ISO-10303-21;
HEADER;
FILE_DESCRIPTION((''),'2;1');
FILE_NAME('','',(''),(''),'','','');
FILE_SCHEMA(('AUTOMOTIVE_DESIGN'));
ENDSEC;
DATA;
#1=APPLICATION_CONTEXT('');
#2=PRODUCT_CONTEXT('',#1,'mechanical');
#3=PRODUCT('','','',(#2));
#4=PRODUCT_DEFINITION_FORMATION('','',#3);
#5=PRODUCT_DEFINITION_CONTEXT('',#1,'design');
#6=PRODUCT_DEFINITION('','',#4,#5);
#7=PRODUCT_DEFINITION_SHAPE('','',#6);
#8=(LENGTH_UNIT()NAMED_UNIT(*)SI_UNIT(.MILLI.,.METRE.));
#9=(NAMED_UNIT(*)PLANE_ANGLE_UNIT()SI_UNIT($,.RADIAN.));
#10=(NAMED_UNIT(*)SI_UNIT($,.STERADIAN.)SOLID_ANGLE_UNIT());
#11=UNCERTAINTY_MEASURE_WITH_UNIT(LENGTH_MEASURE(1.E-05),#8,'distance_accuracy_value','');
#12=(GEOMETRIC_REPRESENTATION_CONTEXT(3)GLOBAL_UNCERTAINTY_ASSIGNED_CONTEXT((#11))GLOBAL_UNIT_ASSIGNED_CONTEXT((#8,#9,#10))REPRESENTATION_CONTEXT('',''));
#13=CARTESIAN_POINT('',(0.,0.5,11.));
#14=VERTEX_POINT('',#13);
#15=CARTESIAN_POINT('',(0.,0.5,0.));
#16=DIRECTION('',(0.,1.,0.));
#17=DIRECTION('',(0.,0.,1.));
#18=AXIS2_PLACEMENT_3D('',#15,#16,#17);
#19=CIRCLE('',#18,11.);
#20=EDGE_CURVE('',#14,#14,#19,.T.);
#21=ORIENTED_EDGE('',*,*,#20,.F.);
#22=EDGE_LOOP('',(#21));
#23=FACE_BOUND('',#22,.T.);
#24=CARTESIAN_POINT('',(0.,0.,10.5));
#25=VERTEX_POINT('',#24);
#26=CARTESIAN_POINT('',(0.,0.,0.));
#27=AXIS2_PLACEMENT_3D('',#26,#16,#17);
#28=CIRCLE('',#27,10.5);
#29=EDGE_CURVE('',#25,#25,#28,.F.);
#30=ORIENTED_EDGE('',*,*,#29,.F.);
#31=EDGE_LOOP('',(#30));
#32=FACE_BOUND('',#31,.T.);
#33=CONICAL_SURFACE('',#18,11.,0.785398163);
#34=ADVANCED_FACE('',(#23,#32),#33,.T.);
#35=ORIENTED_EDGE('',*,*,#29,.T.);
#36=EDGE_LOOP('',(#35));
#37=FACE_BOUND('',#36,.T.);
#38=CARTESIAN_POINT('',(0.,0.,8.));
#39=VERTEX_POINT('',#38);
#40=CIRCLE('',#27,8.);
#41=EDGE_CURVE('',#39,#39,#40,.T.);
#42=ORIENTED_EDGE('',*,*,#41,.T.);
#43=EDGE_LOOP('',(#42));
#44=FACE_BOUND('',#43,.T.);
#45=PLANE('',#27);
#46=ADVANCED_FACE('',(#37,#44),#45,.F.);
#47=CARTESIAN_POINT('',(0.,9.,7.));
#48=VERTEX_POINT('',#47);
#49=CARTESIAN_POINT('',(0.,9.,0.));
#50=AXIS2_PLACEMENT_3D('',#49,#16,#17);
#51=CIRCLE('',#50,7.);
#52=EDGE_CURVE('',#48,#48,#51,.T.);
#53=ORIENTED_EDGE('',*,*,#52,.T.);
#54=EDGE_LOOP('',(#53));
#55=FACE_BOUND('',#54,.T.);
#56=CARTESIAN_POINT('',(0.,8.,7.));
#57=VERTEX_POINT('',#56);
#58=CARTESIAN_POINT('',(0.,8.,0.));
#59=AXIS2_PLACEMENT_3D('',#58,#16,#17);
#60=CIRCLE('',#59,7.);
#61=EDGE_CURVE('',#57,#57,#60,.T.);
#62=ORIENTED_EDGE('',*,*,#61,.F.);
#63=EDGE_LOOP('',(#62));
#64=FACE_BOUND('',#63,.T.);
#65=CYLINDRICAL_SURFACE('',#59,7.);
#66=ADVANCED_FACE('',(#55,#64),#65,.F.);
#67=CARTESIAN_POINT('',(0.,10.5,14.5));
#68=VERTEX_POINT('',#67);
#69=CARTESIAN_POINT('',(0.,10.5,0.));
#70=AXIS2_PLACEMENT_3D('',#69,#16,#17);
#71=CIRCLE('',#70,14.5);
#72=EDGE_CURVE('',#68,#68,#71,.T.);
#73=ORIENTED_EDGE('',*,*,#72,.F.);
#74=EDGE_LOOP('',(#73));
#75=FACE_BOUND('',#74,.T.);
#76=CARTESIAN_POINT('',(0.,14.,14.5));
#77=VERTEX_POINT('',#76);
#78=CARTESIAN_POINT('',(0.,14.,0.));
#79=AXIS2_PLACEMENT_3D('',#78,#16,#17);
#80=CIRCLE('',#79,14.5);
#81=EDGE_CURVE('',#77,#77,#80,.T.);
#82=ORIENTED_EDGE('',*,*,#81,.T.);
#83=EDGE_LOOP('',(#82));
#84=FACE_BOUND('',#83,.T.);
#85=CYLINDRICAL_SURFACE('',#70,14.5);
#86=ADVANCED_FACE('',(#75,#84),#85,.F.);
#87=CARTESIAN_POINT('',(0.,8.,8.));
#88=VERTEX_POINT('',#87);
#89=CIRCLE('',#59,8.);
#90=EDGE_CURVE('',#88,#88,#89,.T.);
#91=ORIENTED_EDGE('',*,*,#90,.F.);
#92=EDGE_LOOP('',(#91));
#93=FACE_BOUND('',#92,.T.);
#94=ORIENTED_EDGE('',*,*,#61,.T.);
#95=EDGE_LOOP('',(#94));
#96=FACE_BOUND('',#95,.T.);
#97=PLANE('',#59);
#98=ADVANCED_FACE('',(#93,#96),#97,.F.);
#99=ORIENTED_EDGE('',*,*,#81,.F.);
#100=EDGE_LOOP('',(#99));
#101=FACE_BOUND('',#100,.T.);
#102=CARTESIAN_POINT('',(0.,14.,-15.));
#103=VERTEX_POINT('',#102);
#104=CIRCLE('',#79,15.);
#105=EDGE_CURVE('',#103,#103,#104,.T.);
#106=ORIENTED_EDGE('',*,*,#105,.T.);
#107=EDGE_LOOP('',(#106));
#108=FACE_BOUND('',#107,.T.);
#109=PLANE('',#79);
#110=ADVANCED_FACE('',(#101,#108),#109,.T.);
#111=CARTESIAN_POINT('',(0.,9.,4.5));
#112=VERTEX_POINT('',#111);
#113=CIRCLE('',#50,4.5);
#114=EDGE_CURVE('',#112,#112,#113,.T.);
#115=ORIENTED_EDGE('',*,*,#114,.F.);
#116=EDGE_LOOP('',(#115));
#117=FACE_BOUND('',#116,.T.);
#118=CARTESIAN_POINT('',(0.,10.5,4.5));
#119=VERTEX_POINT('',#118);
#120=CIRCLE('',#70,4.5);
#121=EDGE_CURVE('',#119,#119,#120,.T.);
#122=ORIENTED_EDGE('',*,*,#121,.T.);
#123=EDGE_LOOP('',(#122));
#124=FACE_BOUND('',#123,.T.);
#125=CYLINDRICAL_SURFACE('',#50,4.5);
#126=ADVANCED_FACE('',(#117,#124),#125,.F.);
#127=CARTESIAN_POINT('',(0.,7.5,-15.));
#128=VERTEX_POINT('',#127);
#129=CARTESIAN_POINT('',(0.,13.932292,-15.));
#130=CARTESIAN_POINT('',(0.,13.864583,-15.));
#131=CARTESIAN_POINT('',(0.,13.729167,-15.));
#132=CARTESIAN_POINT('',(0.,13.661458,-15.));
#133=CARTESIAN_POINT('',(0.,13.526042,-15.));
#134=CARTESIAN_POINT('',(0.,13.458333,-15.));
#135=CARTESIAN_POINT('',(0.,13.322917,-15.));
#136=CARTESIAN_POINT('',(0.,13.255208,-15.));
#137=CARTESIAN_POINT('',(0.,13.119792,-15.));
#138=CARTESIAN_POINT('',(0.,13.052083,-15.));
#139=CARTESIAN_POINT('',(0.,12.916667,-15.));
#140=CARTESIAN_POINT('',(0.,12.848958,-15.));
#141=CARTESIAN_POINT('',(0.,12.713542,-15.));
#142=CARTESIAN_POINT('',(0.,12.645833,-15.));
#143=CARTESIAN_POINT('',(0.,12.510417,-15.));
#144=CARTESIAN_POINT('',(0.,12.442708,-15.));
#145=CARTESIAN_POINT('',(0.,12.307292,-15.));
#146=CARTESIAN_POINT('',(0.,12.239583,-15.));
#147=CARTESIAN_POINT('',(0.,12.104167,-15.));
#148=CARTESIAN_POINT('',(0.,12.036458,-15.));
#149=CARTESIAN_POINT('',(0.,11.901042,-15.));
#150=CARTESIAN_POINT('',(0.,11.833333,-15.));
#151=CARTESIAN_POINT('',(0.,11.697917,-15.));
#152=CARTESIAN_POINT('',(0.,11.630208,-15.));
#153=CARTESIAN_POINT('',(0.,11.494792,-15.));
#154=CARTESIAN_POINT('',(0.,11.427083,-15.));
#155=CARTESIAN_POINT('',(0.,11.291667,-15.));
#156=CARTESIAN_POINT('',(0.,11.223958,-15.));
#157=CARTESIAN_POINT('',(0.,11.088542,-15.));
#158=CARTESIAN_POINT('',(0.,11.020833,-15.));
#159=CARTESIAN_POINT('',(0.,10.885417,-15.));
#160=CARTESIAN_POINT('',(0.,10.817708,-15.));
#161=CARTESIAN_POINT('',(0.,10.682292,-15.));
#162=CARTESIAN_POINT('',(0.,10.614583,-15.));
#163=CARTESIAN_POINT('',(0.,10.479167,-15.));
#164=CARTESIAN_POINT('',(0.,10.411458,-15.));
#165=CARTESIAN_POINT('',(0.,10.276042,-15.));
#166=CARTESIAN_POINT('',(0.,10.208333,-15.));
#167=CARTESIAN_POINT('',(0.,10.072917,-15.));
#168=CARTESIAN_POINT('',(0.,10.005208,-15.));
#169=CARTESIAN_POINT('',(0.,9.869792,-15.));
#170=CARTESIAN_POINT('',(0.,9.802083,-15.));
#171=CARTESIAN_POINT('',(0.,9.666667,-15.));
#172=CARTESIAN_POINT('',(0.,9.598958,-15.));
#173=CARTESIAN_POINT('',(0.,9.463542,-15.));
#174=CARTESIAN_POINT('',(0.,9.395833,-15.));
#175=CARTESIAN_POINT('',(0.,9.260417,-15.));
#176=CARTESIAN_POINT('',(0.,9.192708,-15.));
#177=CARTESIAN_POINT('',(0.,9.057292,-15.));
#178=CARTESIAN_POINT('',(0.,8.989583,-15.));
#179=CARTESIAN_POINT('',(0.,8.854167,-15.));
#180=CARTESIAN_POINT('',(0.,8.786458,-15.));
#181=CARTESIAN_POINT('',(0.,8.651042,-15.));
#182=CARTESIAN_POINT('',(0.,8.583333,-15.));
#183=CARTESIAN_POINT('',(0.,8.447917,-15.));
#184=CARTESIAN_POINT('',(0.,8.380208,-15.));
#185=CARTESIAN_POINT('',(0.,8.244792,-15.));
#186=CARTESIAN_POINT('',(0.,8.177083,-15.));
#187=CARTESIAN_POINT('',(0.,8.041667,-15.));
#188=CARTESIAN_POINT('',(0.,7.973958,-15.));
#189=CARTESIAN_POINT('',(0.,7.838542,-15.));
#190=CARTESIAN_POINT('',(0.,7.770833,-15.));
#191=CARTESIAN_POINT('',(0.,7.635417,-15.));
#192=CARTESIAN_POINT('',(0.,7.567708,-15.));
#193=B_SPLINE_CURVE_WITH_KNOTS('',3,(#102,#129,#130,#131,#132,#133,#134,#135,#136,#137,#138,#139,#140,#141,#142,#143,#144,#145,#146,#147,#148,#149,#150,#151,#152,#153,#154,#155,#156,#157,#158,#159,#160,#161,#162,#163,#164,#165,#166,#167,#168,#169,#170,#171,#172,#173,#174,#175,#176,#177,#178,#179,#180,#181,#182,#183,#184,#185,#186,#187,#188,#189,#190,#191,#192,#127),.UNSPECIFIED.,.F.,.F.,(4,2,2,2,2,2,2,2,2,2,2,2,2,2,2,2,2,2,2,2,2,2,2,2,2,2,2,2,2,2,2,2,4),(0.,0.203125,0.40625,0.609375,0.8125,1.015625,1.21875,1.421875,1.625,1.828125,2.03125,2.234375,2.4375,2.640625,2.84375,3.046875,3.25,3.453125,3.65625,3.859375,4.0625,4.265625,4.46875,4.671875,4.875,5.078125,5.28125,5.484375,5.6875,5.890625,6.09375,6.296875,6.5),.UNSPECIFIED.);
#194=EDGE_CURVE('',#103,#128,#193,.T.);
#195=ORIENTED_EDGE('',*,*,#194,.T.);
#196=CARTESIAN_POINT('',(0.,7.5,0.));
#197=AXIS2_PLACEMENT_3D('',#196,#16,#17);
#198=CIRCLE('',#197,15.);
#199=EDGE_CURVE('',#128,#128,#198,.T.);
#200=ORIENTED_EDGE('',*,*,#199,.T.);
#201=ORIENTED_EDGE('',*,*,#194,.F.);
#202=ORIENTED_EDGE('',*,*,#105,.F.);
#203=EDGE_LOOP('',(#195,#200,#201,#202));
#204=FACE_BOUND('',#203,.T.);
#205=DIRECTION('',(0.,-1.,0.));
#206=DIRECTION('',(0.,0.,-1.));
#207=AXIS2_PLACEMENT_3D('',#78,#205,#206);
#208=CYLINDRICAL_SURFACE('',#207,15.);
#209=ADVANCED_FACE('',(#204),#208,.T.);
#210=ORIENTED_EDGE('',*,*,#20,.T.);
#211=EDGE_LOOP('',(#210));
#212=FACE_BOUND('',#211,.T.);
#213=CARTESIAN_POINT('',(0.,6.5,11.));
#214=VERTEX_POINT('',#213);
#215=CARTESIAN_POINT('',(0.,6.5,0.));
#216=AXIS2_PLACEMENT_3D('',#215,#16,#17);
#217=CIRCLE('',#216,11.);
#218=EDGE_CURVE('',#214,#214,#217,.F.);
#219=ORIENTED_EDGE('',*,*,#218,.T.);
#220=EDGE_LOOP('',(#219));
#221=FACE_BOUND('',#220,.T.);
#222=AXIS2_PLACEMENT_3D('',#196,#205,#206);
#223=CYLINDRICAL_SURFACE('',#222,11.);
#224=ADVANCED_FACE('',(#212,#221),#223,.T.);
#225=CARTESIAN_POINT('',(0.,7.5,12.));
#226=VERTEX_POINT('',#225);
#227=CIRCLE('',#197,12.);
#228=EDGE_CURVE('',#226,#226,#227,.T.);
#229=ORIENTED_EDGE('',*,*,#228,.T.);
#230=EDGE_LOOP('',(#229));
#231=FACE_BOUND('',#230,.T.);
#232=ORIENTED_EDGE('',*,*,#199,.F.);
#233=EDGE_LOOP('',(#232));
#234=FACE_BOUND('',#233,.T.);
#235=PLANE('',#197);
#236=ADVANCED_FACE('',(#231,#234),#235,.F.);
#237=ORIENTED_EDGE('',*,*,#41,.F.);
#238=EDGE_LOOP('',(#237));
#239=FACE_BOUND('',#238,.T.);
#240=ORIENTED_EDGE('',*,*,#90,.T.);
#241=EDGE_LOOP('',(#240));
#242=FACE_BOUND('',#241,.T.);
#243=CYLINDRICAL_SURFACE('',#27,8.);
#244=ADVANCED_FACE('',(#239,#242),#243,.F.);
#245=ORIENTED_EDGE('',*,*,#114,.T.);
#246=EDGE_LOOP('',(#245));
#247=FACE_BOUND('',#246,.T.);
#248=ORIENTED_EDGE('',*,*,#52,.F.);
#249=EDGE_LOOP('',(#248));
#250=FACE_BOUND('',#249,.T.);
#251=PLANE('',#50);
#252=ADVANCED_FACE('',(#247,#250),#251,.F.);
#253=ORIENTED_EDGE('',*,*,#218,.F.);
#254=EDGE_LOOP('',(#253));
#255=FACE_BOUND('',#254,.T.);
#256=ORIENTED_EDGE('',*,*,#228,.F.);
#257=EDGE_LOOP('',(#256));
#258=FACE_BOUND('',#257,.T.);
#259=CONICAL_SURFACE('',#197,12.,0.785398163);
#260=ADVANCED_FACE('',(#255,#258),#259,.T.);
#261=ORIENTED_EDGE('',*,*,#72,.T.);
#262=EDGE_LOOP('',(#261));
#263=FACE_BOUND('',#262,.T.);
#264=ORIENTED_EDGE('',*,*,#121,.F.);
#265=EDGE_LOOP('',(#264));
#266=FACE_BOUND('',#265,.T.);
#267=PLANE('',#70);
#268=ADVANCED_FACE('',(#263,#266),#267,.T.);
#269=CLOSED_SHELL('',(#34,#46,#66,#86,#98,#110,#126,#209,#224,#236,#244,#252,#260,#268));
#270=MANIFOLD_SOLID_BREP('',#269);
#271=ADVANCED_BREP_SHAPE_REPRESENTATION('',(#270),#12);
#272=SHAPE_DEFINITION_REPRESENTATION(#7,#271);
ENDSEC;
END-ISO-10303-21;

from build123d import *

# Parameters (mm, degrees)
ESQUISSE1_R             = 11
BOSS_EXTRU_1_DEPTH      = 7.5
ESQUISSE3_R             = 15
BOSS_EXTRU_2_DEPTH      = 6.5
CHANFREIN1_SIZE         = 0.5
CHANFREIN2_SIZE         = 1
ESQUISSE4_R             = 14.5
ENL_V_MAT_EXTRU_1_DEPTH = 3.5
ESQUISSE5_R             = 4.5
ENL_V_MAT_EXTRU_2_DEPTH = 1.5
ESQUISSE6_R             = 7
ENL_V_MAT_EXTRU_3_DEPTH = 1
ESQUISSE8_R             = 8
ENL_V_MAT_EXTRU_4_DEPTH = 23.671568098


with BuildPart() as part:
    # Esquisse1 → Boss.-Extru.1 (new body)
    with BuildSketch(Plane(origin=(0, 0, 0), x_dir=(1, 0, 0), z_dir=(0, 1, 0))):
        with Locations(Location((0, 0, 0), (0, 0, 270))):
            Circle(ESQUISSE1_R)
    extrude(amount=BOSS_EXTRU_1_DEPTH)

    # Esquisse3 → Boss.-Extru.2 (add)
    with BuildSketch(Plane(origin=(0, 7.5, 0), x_dir=(1, 0, 0), z_dir=(0, 1, 0))):
        with Locations(Location((0, 0, 0), (0, 0, 90))):
            Circle(ESQUISSE3_R)
    extrude(amount=BOSS_EXTRU_2_DEPTH)

    # Chanfrein1
    chanfrein1_edges = [part.edges().sort_by_distance(p)[0] for p in [
        (0, 0, -11),
    ]]
    chamfer(chanfrein1_edges, length=CHANFREIN1_SIZE)

    # Chanfrein2
    chanfrein2_edges = [part.edges().sort_by_distance(p)[0] for p in [
        (0, 7.5, -11),
    ]]
    chamfer(chanfrein2_edges, length=CHANFREIN2_SIZE)

    # Esquisse4 → Enlèv. mat.-Extru.1 (cut)
    with BuildSketch(Plane(origin=(0, 14, 0), x_dir=(1, 0, 0), z_dir=(0, 1, 0))):
        with Locations(Location((0, 0, 0), (0, 0, 270))):
            Circle(ESQUISSE4_R)
    extrude(amount=-ENL_V_MAT_EXTRU_1_DEPTH, mode=Mode.SUBTRACT)

    # Esquisse5 → Enlèv. mat.-Extru.2 (cut)
    with BuildSketch(Plane(origin=(0, 10.5, 0), x_dir=(1, 0, 0), z_dir=(0, 1, 0))):
        with Locations(Location((0, 0, 0), (0, 0, 270))):
            Circle(ESQUISSE5_R)
    extrude(amount=-ENL_V_MAT_EXTRU_2_DEPTH, mode=Mode.SUBTRACT)

    # Esquisse6 → Enlèv. mat.-Extru.3 (cut)
    with BuildSketch(Plane(origin=(0, 9, 0), x_dir=(1, 0, 0), z_dir=(0, 1, 0))):
        with Locations(Location((0, 0, 0), (0, 0, 270))):
            Circle(ESQUISSE6_R)
    extrude(amount=-ENL_V_MAT_EXTRU_3_DEPTH, mode=Mode.SUBTRACT)

    # Esquisse8 → Enlèv. mat.-Extru.4 (cut, through all)
    with BuildSketch(Plane(origin=(0, 8, 0), x_dir=(1, 0, 0), z_dir=(0, 1, 0))):
        with Locations(Location((0, 0, 0), (0, 0, 270))):
            Circle(ESQUISSE8_R)
    extrude(amount=-ENL_V_MAT_EXTRU_4_DEPTH, mode=Mode.SUBTRACT)


solid = part.part
